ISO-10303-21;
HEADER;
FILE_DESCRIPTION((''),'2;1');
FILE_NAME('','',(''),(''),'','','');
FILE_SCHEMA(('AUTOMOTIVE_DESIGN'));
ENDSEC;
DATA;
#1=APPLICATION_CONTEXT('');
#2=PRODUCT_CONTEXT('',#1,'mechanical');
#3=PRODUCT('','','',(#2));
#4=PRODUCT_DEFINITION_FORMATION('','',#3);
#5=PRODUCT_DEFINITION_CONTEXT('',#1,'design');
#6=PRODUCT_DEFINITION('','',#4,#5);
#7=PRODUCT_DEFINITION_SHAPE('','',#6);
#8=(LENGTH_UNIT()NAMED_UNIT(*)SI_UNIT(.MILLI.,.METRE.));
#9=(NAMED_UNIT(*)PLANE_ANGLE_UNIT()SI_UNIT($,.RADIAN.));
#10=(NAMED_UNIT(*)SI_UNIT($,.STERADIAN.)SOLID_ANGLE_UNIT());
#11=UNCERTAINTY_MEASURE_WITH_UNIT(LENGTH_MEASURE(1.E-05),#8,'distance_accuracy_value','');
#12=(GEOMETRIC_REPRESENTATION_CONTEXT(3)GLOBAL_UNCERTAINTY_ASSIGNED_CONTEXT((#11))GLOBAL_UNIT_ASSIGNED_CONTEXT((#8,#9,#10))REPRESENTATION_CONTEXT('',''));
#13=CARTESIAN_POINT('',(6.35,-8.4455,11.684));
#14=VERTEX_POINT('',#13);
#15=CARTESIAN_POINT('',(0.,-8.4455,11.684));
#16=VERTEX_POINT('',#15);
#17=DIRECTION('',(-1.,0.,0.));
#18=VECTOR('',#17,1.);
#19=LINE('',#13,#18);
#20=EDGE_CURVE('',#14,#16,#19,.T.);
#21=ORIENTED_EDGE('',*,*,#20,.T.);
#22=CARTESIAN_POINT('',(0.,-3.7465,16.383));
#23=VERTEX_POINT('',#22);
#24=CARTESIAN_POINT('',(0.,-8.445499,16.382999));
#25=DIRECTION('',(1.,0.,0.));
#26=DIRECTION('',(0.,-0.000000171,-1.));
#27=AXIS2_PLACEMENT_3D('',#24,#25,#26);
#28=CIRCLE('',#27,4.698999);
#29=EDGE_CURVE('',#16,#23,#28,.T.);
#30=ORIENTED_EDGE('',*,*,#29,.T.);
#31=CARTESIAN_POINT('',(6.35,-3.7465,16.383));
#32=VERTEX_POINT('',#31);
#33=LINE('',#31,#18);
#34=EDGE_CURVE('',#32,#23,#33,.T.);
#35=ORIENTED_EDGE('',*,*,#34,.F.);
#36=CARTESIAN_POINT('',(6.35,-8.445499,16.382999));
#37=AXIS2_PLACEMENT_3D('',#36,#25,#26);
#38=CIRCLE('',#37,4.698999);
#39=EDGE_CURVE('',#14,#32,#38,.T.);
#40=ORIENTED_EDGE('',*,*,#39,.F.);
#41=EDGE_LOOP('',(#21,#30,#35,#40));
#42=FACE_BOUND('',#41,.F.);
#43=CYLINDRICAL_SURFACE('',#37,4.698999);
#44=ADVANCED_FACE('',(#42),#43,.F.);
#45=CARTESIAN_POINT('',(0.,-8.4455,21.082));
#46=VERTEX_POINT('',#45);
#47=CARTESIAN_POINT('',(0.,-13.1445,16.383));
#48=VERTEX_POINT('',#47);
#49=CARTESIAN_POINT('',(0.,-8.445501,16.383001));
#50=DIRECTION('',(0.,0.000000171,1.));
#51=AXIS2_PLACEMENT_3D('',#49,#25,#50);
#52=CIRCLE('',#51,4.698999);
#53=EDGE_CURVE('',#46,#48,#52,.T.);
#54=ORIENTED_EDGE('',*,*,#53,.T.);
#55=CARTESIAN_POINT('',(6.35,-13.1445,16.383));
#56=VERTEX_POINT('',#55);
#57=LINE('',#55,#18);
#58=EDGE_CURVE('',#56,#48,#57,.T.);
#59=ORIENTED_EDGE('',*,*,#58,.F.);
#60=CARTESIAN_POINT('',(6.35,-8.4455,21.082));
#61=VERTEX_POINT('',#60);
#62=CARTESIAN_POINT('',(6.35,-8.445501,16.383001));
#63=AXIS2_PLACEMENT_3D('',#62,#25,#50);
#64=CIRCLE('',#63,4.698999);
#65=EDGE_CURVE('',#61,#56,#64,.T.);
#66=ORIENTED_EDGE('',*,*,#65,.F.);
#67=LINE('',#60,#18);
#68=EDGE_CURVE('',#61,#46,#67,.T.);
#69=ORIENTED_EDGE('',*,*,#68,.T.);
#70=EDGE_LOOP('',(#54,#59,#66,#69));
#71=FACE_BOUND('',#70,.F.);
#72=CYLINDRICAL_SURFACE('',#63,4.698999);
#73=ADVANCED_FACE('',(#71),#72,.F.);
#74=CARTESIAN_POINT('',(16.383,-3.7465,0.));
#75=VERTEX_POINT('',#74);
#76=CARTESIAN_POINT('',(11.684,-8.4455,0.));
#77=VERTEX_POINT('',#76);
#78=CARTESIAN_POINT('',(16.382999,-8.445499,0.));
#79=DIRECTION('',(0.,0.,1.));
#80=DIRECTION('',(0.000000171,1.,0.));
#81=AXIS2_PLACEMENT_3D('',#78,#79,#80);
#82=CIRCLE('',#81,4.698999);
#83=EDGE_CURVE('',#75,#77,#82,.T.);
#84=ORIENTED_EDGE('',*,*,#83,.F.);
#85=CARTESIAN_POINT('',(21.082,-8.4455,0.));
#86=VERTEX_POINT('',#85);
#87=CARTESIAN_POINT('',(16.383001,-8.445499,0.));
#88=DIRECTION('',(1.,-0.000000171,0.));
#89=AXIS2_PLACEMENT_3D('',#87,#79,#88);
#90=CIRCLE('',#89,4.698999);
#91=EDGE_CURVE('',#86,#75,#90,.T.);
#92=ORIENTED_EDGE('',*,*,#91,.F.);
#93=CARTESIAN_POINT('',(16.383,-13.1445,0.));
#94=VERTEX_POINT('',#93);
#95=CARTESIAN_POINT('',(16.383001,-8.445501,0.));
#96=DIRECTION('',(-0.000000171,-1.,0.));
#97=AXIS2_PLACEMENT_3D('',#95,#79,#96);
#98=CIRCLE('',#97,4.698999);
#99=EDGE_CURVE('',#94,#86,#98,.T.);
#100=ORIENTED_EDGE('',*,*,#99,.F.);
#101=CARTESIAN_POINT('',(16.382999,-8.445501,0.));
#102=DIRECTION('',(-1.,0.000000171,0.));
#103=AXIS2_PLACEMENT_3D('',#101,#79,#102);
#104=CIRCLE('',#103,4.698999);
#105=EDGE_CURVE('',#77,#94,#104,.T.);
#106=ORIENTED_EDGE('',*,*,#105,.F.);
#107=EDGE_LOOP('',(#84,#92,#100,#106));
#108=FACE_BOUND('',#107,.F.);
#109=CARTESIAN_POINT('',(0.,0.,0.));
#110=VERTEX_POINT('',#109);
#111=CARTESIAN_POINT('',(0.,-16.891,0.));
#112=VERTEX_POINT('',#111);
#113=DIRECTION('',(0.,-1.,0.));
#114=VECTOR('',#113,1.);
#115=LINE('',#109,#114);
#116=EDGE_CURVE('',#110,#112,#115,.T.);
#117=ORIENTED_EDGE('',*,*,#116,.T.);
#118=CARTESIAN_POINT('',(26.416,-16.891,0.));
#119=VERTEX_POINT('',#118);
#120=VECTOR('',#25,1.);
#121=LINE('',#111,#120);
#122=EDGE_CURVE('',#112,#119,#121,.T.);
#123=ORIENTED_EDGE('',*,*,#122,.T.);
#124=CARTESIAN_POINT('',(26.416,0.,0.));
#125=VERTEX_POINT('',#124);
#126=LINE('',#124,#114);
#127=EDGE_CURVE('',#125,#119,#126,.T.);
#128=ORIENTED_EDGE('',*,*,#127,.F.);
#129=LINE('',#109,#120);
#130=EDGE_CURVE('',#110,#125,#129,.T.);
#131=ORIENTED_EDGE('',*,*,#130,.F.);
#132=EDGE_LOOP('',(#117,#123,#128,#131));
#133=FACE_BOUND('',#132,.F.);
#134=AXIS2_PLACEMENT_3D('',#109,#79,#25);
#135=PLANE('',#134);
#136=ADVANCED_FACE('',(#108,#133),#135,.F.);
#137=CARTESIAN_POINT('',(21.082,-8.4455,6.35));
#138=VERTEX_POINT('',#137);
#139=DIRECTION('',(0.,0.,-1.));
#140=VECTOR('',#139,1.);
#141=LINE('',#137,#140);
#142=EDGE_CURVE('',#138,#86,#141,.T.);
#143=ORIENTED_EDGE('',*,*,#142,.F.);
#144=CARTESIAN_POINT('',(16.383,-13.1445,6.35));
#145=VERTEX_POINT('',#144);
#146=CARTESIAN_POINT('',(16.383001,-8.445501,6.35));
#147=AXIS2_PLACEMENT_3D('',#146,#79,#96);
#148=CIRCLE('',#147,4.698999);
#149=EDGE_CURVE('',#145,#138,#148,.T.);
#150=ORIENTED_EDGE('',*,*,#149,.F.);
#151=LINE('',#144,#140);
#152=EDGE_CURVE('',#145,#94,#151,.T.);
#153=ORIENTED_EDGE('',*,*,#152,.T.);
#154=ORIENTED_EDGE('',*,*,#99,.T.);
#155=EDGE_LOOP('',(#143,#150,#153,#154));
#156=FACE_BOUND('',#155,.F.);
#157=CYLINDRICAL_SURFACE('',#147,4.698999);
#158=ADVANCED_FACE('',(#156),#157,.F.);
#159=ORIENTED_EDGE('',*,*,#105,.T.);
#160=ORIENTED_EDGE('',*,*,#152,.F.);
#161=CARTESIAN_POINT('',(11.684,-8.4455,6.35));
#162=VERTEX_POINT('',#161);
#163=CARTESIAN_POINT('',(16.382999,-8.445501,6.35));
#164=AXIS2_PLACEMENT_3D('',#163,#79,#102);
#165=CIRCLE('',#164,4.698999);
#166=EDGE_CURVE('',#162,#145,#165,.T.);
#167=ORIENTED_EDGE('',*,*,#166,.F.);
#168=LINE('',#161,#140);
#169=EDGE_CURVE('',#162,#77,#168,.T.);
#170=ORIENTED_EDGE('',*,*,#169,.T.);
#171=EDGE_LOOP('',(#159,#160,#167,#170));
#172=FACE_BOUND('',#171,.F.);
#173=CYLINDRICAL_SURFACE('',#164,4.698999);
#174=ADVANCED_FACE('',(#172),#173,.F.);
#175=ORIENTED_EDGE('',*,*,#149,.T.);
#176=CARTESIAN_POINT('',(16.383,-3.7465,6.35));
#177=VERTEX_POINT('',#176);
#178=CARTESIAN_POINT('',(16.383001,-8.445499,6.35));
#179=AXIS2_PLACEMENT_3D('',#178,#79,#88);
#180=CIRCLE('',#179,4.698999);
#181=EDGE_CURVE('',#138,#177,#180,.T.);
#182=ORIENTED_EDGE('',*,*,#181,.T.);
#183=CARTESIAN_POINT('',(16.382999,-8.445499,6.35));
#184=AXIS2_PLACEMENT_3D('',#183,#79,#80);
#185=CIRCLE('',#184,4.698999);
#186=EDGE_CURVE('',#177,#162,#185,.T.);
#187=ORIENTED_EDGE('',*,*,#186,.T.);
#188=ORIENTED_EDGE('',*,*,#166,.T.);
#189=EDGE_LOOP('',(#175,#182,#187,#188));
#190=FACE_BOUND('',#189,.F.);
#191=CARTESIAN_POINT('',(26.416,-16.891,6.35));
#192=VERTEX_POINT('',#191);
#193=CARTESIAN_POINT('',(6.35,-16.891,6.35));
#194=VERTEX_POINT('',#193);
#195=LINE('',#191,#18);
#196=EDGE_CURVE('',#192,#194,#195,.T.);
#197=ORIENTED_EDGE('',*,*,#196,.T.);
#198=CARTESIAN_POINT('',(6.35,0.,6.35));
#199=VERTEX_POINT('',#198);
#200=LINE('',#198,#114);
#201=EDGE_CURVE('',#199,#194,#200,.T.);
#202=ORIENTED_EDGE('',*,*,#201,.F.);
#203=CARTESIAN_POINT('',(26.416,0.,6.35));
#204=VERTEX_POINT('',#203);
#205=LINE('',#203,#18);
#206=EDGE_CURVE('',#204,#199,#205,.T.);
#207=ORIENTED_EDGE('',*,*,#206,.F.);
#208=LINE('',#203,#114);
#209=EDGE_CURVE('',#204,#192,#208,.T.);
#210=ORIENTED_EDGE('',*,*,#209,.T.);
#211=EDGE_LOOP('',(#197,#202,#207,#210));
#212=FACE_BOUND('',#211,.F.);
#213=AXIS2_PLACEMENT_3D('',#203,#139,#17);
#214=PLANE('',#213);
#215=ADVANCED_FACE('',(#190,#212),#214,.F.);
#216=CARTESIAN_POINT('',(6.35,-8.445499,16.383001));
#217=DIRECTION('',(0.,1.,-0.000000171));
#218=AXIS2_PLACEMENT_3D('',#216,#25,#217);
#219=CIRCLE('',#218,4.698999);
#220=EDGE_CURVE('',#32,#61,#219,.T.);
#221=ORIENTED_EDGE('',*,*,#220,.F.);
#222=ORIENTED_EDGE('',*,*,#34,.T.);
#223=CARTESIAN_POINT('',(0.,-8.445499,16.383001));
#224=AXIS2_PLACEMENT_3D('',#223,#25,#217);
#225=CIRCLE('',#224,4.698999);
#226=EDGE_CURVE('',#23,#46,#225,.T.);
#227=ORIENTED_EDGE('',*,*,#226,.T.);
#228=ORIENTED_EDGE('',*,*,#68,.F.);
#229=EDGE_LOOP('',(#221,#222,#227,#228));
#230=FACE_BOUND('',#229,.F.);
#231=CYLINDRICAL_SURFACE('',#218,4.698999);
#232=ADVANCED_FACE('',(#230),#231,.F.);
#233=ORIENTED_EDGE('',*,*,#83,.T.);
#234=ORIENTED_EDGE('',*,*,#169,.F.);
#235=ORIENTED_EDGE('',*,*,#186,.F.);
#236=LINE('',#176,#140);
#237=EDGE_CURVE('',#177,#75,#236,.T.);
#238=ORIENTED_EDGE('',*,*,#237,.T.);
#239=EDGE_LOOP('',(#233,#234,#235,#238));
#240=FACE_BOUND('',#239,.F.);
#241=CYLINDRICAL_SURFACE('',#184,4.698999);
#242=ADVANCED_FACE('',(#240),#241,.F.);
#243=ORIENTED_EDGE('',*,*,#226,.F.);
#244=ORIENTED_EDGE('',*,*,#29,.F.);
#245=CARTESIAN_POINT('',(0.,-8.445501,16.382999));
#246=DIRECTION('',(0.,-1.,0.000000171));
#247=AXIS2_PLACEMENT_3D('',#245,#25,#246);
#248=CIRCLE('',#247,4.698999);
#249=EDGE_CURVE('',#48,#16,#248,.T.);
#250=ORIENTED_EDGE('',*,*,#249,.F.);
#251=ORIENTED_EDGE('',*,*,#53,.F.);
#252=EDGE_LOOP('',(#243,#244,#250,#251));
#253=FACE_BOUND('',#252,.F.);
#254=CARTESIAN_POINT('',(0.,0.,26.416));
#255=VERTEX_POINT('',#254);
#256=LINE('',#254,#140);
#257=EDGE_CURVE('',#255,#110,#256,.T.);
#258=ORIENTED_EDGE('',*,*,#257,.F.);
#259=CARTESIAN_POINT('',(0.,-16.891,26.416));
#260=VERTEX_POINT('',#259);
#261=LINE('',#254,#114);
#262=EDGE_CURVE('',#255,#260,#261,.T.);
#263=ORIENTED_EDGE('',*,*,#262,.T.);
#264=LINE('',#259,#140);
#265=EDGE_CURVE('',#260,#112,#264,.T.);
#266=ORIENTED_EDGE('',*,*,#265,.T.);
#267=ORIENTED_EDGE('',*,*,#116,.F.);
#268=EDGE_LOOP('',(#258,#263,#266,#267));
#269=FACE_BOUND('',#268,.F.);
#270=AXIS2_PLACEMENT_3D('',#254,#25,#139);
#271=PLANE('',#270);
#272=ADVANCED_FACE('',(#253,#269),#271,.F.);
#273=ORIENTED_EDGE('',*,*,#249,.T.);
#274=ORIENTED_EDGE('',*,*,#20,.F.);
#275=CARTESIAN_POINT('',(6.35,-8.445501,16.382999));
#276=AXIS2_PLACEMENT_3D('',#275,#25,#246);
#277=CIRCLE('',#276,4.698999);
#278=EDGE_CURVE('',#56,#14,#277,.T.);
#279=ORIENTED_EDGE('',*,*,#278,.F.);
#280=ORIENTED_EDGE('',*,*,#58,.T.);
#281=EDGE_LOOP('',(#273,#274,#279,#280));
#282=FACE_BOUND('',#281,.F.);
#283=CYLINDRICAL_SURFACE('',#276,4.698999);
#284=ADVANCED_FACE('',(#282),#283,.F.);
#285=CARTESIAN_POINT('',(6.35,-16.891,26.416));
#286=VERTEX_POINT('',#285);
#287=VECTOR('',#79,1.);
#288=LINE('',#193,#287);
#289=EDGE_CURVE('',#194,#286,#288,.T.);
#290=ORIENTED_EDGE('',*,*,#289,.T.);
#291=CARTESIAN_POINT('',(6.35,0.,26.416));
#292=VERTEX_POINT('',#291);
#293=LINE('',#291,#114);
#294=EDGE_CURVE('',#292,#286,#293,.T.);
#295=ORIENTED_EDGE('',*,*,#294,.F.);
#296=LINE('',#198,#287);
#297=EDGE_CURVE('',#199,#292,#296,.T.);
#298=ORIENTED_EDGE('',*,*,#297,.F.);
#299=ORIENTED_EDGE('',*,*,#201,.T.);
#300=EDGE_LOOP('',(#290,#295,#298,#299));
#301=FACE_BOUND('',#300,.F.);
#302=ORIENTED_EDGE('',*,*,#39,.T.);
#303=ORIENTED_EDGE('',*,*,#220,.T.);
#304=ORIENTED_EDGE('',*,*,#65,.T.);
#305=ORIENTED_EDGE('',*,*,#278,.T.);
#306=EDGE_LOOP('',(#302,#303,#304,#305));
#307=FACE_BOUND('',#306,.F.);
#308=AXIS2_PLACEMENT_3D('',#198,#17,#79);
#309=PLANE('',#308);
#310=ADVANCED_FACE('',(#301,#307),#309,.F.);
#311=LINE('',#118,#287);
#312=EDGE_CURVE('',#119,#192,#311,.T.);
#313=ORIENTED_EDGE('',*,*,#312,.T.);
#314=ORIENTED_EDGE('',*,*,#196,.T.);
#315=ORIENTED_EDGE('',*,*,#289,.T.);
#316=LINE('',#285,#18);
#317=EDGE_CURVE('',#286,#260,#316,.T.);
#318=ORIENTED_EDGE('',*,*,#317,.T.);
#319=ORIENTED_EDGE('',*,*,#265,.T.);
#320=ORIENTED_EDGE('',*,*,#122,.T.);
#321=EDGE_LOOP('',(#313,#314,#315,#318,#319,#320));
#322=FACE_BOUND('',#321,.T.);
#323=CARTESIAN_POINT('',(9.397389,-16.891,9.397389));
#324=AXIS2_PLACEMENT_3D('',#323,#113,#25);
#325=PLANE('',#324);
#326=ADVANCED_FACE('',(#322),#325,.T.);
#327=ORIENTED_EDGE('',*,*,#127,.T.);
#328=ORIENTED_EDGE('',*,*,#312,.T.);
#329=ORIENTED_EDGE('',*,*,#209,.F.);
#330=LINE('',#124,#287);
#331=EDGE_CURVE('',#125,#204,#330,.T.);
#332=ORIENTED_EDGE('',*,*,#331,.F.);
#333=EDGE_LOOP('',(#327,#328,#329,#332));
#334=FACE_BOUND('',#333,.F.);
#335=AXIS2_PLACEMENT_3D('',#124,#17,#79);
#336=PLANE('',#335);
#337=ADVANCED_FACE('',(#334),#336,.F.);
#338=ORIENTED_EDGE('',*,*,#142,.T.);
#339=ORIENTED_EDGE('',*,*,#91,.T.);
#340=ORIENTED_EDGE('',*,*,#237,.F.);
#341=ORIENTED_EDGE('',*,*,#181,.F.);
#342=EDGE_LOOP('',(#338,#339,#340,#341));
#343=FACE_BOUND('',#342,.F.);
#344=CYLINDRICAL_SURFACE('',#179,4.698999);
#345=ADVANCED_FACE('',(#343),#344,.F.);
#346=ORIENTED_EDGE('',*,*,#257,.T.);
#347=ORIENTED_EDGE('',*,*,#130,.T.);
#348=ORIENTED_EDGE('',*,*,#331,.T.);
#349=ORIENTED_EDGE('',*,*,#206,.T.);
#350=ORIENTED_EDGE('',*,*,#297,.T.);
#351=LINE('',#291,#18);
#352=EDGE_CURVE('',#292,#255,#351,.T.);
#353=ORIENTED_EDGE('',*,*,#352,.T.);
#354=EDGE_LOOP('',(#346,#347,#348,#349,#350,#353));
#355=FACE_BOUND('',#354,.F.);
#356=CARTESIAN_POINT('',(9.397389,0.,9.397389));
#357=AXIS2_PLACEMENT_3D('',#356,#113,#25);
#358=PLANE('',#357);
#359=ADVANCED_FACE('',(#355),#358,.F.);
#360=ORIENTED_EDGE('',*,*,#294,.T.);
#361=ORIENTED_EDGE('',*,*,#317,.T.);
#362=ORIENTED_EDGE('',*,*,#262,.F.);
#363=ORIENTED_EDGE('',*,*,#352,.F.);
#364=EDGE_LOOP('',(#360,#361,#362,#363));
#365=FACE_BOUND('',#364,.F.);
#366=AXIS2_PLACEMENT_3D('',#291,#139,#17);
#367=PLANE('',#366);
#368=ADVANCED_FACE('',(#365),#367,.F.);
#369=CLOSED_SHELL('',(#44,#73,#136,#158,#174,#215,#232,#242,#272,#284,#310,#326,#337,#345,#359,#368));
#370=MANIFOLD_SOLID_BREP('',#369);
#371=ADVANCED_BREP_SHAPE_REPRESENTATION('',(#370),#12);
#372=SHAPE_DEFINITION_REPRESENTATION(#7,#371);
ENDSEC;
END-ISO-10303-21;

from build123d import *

# Parameters (mm, degrees)
F1_DEPTH = 16.891
F3_DEPTH = 6.35
F5_DEPTH = 6.35


with BuildPart() as f1:
    # F0 (on Front) → F1 (new body)
    with BuildSketch(Plane.XZ):
        Polygon((0, 6.35), (0, 0), (6.35, 0), (26.416, 0), (26.416, 6.35), (6.35, 6.35), (6.35, 26.416), (0, 26.416), align=None)
    extrude(amount=F1_DEPTH)

    # F2 (on face) → F3 (cut, through all)
    with BuildSketch(Plane.YZ.offset(6.35)):
        with BuildLine():
            Line((-8.4455, 16.383), (-3.7465, 16.383))
            ThreePointArc((-3.7465, 16.383), (-5.122805, 19.705695), (-8.4455, 21.082))
            Line((-8.4455, 21.082), (-8.4455, 16.383))
        make_face()
        with BuildLine():
            ThreePointArc((-8.4455, 11.684), (-5.122805, 13.060305), (-3.7465, 16.383))
            Line((-3.7465, 16.383), (-8.4455, 16.383))
            Line((-8.4455, 16.383), (-8.4455, 11.684))
        make_face()
        with BuildLine():
            Line((-8.4455, 16.383), (-8.4455, 21.082))
            ThreePointArc((-8.4455, 21.082), (-11.768195, 19.705695), (-13.1445, 16.383))
            Line((-13.1445, 16.383), (-8.4455, 16.383))
        make_face()
        with BuildLine():
            ThreePointArc((-13.1445, 16.383), (-11.768195, 13.060305), (-8.4455, 11.684))
            Line((-8.4455, 11.684), (-8.4455, 16.383))
            Line((-8.4455, 16.383), (-13.1445, 16.383))
        make_face()
    extrude(amount=-F3_DEPTH, mode=Mode.SUBTRACT)

    # F4 (on face) → F5 (cut, through all)
    with BuildSketch(Plane.XY.offset(6.35)):
        with BuildLine():
            Line((16.383, -8.4455), (21.082, -8.4455))
            ThreePointArc((21.082, -8.4455), (19.705695, -5.122805), (16.383, -3.7465))
            Line((16.383, -3.7465), (16.383, -8.4455))
        make_face()
        with BuildLine():
            ThreePointArc((16.383, -13.1445), (19.705695, -11.768195), (21.082, -8.4455))
            Line((21.082, -8.4455), (16.383, -8.4455))
            Line((16.383, -8.4455), (16.383, -13.1445))
        make_face()
        with BuildLine():
            Line((16.383, -8.4455), (16.383, -3.7465))
            ThreePointArc((16.383, -3.7465), (13.060305, -5.122805), (11.684, -8.4455))
            Line((11.684, -8.4455), (16.383, -8.4455))
        make_face()
        with BuildLine():
            ThreePointArc((11.684, -8.4455), (13.060305, -11.768195), (16.383, -13.1445))
            Line((16.383, -13.1445), (16.383, -8.4455))
            Line((16.383, -8.4455), (11.684, -8.4455))
        make_face()
    extrude(amount=-F5_DEPTH, mode=Mode.SUBTRACT)


solid = f1.part
